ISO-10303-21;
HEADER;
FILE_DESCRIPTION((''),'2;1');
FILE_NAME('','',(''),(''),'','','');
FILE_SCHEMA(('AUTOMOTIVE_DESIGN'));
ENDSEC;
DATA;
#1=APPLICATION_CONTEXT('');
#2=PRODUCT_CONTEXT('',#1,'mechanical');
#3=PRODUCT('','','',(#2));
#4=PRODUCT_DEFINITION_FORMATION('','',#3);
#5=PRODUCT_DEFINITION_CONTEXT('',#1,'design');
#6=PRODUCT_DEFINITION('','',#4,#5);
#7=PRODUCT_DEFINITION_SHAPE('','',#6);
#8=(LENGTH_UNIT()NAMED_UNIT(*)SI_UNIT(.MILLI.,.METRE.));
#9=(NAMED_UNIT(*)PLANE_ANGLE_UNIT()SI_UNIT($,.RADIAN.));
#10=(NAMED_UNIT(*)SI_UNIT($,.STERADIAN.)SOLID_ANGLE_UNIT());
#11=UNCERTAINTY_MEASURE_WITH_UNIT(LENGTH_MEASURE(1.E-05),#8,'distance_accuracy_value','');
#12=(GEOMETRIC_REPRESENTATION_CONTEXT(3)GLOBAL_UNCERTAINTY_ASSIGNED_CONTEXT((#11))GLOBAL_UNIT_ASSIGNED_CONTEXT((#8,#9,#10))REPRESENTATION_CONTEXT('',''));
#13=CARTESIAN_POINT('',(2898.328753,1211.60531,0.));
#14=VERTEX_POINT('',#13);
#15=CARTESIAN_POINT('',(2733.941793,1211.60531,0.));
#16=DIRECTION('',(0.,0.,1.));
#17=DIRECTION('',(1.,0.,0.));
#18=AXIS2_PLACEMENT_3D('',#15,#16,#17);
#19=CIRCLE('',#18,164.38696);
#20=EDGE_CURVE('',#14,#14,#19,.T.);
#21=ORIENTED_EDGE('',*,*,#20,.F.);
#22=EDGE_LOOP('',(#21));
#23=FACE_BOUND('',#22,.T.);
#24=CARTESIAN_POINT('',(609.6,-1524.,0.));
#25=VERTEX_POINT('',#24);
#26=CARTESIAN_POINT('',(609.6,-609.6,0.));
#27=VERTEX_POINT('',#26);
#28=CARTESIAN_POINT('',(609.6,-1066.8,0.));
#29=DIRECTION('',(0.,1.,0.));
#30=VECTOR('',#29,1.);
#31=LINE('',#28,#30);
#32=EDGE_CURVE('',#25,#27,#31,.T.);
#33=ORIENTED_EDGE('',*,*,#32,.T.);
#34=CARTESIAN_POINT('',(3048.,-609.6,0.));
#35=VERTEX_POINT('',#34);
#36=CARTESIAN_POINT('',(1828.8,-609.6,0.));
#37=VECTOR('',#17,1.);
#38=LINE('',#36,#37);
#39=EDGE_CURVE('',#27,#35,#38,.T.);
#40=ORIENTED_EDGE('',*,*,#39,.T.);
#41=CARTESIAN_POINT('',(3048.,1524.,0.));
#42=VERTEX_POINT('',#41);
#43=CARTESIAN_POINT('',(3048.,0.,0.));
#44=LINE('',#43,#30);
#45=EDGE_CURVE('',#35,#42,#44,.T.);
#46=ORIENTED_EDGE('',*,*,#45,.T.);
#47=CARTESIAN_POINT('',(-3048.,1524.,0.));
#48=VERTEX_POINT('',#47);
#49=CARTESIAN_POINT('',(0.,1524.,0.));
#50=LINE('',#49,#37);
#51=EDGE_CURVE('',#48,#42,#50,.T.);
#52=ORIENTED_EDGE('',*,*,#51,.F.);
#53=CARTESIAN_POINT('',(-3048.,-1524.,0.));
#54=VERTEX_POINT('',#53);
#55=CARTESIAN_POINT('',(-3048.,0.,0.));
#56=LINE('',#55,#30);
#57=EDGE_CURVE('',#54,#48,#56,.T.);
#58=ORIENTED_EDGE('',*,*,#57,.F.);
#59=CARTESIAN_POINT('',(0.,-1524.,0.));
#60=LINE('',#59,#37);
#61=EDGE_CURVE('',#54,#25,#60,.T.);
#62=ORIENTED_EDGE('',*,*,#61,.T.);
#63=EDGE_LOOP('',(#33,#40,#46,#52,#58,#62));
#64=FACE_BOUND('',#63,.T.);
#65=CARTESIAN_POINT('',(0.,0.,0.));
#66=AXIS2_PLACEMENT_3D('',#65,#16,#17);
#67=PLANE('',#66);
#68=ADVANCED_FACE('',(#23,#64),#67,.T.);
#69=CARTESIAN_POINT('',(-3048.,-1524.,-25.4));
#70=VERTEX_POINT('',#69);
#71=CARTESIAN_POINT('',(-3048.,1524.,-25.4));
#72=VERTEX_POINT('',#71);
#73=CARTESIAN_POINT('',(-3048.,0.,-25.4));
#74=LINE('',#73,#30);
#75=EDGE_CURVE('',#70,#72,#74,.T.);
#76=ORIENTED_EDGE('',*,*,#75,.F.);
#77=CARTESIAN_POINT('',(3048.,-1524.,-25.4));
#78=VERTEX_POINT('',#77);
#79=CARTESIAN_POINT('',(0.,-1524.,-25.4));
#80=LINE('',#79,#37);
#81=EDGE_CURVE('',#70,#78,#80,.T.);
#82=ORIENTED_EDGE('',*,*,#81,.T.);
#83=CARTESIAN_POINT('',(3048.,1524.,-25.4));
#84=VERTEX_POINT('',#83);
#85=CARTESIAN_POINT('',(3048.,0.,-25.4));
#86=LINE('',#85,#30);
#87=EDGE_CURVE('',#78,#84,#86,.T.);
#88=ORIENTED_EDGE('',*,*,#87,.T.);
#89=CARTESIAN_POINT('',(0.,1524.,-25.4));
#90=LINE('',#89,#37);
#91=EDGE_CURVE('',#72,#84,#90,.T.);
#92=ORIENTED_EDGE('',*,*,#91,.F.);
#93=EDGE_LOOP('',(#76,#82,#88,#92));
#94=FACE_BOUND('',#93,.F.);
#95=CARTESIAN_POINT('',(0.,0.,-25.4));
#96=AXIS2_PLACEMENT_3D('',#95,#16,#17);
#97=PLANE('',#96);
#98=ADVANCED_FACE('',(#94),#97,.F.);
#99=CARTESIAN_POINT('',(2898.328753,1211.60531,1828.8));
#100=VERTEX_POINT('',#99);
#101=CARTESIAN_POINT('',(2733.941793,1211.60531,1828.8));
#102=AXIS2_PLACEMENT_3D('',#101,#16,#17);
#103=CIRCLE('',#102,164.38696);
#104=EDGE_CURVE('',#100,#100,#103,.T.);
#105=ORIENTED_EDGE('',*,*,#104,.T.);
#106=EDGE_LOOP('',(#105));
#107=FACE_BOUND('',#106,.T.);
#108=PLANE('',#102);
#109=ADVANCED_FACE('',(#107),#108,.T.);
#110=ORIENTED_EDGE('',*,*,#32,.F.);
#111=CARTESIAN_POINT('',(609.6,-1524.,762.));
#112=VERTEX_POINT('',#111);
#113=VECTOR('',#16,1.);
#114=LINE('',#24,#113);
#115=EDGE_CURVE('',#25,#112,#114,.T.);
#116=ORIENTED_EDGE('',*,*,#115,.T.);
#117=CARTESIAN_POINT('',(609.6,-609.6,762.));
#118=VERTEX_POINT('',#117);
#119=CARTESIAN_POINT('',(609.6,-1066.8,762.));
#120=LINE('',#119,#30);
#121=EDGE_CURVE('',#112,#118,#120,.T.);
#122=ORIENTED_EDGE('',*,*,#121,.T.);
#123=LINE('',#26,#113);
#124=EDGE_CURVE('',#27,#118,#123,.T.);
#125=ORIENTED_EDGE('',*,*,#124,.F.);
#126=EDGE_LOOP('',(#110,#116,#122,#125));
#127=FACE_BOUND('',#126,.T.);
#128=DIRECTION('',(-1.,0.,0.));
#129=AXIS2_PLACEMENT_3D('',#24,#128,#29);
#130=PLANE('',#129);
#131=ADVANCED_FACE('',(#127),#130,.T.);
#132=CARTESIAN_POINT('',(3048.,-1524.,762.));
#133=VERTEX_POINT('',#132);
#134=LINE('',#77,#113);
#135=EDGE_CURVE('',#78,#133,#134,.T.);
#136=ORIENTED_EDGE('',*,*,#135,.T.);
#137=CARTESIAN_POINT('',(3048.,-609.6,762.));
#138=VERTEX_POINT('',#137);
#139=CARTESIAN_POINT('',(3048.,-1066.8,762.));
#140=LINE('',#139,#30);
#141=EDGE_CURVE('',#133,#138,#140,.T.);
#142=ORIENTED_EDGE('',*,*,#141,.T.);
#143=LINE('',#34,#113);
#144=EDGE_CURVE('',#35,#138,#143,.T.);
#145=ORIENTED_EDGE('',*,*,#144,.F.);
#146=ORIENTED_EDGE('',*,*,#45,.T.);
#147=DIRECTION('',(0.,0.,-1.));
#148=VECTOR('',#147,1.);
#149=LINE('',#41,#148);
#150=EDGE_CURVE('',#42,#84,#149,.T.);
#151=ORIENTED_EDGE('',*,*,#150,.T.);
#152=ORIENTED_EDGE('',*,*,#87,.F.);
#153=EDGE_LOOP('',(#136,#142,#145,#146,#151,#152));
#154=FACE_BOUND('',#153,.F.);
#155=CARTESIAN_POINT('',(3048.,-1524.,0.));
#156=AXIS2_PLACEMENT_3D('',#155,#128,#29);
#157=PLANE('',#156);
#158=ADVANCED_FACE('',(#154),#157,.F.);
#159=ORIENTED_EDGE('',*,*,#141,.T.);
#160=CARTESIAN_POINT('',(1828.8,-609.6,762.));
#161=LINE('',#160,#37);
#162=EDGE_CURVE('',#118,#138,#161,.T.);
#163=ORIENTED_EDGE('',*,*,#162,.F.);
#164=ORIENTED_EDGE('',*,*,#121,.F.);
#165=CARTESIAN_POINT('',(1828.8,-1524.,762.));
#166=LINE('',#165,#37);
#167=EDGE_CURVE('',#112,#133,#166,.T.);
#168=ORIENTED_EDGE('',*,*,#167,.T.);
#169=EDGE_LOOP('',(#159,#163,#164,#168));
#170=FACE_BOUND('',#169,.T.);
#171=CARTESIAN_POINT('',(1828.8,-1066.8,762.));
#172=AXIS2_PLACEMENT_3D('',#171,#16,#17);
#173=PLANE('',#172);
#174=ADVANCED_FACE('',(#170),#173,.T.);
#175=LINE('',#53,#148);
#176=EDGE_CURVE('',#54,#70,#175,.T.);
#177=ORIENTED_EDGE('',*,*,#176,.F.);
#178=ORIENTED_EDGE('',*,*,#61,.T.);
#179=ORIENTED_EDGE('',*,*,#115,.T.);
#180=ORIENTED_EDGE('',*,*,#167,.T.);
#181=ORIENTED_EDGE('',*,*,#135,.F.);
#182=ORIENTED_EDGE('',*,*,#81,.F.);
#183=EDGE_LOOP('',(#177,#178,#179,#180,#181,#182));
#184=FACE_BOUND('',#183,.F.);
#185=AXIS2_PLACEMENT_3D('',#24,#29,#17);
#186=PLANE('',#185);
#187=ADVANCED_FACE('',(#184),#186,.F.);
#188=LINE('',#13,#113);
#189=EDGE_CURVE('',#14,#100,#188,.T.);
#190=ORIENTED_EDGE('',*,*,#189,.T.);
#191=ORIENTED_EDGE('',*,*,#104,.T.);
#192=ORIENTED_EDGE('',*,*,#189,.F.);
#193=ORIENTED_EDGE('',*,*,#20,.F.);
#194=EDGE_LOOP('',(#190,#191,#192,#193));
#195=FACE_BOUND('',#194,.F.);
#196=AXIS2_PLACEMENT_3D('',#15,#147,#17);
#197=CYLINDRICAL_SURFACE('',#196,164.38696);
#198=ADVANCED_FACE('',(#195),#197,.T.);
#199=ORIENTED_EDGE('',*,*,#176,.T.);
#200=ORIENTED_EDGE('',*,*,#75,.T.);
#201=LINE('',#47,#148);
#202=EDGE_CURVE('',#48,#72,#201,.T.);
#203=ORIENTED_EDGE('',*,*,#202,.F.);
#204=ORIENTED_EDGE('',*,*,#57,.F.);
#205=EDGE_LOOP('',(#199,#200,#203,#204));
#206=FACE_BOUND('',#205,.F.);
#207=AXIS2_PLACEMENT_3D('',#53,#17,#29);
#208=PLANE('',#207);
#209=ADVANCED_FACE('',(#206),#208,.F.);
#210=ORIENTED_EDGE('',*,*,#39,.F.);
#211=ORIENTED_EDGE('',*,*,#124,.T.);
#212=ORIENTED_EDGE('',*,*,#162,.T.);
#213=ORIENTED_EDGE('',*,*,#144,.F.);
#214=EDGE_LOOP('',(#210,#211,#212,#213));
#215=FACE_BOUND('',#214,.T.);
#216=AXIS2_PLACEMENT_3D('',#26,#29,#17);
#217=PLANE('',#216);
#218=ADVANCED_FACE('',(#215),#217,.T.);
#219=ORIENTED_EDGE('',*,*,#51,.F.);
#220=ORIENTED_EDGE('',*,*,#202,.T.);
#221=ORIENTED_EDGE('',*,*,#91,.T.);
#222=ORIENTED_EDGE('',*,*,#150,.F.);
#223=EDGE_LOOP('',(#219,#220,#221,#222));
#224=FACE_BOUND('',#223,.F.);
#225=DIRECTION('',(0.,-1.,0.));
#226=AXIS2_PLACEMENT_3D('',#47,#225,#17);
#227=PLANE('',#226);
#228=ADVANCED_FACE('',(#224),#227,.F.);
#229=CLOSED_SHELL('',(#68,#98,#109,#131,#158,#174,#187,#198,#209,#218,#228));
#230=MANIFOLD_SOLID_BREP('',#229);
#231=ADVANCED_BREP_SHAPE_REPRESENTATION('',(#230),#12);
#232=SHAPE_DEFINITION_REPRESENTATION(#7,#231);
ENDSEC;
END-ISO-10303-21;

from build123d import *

# Parameters (mm, degrees)
F0_W     = 6096
F0_H     = 3048
F1_DEPTH = 25.4
F2_W     = 2438.4
F2_H     = 914.4
F3_DEPTH = 762
F4_R     = 164.38696
F5_DEPTH = 1828.8


with BuildPart() as f1:
    # F0 (on Top) → F1 (new body)
    with BuildSketch(Plane.XY):
        Rectangle(F0_W, F0_H)
    extrude(amount=-F1_DEPTH)

    # F2 (on face) → F3 (join)
    with BuildSketch(Plane.XY):
        with Locations((1828.8, -1066.8)):
            Rectangle(F2_W, F2_H)
    extrude(amount=F3_DEPTH)

    # F4 (on face) → F5 (join)
    with BuildSketch(Plane.XY):
        with Locations((2733.941793, 1211.60531)):
            Circle(F4_R)
    extrude(amount=F5_DEPTH)


solid = f1.part
